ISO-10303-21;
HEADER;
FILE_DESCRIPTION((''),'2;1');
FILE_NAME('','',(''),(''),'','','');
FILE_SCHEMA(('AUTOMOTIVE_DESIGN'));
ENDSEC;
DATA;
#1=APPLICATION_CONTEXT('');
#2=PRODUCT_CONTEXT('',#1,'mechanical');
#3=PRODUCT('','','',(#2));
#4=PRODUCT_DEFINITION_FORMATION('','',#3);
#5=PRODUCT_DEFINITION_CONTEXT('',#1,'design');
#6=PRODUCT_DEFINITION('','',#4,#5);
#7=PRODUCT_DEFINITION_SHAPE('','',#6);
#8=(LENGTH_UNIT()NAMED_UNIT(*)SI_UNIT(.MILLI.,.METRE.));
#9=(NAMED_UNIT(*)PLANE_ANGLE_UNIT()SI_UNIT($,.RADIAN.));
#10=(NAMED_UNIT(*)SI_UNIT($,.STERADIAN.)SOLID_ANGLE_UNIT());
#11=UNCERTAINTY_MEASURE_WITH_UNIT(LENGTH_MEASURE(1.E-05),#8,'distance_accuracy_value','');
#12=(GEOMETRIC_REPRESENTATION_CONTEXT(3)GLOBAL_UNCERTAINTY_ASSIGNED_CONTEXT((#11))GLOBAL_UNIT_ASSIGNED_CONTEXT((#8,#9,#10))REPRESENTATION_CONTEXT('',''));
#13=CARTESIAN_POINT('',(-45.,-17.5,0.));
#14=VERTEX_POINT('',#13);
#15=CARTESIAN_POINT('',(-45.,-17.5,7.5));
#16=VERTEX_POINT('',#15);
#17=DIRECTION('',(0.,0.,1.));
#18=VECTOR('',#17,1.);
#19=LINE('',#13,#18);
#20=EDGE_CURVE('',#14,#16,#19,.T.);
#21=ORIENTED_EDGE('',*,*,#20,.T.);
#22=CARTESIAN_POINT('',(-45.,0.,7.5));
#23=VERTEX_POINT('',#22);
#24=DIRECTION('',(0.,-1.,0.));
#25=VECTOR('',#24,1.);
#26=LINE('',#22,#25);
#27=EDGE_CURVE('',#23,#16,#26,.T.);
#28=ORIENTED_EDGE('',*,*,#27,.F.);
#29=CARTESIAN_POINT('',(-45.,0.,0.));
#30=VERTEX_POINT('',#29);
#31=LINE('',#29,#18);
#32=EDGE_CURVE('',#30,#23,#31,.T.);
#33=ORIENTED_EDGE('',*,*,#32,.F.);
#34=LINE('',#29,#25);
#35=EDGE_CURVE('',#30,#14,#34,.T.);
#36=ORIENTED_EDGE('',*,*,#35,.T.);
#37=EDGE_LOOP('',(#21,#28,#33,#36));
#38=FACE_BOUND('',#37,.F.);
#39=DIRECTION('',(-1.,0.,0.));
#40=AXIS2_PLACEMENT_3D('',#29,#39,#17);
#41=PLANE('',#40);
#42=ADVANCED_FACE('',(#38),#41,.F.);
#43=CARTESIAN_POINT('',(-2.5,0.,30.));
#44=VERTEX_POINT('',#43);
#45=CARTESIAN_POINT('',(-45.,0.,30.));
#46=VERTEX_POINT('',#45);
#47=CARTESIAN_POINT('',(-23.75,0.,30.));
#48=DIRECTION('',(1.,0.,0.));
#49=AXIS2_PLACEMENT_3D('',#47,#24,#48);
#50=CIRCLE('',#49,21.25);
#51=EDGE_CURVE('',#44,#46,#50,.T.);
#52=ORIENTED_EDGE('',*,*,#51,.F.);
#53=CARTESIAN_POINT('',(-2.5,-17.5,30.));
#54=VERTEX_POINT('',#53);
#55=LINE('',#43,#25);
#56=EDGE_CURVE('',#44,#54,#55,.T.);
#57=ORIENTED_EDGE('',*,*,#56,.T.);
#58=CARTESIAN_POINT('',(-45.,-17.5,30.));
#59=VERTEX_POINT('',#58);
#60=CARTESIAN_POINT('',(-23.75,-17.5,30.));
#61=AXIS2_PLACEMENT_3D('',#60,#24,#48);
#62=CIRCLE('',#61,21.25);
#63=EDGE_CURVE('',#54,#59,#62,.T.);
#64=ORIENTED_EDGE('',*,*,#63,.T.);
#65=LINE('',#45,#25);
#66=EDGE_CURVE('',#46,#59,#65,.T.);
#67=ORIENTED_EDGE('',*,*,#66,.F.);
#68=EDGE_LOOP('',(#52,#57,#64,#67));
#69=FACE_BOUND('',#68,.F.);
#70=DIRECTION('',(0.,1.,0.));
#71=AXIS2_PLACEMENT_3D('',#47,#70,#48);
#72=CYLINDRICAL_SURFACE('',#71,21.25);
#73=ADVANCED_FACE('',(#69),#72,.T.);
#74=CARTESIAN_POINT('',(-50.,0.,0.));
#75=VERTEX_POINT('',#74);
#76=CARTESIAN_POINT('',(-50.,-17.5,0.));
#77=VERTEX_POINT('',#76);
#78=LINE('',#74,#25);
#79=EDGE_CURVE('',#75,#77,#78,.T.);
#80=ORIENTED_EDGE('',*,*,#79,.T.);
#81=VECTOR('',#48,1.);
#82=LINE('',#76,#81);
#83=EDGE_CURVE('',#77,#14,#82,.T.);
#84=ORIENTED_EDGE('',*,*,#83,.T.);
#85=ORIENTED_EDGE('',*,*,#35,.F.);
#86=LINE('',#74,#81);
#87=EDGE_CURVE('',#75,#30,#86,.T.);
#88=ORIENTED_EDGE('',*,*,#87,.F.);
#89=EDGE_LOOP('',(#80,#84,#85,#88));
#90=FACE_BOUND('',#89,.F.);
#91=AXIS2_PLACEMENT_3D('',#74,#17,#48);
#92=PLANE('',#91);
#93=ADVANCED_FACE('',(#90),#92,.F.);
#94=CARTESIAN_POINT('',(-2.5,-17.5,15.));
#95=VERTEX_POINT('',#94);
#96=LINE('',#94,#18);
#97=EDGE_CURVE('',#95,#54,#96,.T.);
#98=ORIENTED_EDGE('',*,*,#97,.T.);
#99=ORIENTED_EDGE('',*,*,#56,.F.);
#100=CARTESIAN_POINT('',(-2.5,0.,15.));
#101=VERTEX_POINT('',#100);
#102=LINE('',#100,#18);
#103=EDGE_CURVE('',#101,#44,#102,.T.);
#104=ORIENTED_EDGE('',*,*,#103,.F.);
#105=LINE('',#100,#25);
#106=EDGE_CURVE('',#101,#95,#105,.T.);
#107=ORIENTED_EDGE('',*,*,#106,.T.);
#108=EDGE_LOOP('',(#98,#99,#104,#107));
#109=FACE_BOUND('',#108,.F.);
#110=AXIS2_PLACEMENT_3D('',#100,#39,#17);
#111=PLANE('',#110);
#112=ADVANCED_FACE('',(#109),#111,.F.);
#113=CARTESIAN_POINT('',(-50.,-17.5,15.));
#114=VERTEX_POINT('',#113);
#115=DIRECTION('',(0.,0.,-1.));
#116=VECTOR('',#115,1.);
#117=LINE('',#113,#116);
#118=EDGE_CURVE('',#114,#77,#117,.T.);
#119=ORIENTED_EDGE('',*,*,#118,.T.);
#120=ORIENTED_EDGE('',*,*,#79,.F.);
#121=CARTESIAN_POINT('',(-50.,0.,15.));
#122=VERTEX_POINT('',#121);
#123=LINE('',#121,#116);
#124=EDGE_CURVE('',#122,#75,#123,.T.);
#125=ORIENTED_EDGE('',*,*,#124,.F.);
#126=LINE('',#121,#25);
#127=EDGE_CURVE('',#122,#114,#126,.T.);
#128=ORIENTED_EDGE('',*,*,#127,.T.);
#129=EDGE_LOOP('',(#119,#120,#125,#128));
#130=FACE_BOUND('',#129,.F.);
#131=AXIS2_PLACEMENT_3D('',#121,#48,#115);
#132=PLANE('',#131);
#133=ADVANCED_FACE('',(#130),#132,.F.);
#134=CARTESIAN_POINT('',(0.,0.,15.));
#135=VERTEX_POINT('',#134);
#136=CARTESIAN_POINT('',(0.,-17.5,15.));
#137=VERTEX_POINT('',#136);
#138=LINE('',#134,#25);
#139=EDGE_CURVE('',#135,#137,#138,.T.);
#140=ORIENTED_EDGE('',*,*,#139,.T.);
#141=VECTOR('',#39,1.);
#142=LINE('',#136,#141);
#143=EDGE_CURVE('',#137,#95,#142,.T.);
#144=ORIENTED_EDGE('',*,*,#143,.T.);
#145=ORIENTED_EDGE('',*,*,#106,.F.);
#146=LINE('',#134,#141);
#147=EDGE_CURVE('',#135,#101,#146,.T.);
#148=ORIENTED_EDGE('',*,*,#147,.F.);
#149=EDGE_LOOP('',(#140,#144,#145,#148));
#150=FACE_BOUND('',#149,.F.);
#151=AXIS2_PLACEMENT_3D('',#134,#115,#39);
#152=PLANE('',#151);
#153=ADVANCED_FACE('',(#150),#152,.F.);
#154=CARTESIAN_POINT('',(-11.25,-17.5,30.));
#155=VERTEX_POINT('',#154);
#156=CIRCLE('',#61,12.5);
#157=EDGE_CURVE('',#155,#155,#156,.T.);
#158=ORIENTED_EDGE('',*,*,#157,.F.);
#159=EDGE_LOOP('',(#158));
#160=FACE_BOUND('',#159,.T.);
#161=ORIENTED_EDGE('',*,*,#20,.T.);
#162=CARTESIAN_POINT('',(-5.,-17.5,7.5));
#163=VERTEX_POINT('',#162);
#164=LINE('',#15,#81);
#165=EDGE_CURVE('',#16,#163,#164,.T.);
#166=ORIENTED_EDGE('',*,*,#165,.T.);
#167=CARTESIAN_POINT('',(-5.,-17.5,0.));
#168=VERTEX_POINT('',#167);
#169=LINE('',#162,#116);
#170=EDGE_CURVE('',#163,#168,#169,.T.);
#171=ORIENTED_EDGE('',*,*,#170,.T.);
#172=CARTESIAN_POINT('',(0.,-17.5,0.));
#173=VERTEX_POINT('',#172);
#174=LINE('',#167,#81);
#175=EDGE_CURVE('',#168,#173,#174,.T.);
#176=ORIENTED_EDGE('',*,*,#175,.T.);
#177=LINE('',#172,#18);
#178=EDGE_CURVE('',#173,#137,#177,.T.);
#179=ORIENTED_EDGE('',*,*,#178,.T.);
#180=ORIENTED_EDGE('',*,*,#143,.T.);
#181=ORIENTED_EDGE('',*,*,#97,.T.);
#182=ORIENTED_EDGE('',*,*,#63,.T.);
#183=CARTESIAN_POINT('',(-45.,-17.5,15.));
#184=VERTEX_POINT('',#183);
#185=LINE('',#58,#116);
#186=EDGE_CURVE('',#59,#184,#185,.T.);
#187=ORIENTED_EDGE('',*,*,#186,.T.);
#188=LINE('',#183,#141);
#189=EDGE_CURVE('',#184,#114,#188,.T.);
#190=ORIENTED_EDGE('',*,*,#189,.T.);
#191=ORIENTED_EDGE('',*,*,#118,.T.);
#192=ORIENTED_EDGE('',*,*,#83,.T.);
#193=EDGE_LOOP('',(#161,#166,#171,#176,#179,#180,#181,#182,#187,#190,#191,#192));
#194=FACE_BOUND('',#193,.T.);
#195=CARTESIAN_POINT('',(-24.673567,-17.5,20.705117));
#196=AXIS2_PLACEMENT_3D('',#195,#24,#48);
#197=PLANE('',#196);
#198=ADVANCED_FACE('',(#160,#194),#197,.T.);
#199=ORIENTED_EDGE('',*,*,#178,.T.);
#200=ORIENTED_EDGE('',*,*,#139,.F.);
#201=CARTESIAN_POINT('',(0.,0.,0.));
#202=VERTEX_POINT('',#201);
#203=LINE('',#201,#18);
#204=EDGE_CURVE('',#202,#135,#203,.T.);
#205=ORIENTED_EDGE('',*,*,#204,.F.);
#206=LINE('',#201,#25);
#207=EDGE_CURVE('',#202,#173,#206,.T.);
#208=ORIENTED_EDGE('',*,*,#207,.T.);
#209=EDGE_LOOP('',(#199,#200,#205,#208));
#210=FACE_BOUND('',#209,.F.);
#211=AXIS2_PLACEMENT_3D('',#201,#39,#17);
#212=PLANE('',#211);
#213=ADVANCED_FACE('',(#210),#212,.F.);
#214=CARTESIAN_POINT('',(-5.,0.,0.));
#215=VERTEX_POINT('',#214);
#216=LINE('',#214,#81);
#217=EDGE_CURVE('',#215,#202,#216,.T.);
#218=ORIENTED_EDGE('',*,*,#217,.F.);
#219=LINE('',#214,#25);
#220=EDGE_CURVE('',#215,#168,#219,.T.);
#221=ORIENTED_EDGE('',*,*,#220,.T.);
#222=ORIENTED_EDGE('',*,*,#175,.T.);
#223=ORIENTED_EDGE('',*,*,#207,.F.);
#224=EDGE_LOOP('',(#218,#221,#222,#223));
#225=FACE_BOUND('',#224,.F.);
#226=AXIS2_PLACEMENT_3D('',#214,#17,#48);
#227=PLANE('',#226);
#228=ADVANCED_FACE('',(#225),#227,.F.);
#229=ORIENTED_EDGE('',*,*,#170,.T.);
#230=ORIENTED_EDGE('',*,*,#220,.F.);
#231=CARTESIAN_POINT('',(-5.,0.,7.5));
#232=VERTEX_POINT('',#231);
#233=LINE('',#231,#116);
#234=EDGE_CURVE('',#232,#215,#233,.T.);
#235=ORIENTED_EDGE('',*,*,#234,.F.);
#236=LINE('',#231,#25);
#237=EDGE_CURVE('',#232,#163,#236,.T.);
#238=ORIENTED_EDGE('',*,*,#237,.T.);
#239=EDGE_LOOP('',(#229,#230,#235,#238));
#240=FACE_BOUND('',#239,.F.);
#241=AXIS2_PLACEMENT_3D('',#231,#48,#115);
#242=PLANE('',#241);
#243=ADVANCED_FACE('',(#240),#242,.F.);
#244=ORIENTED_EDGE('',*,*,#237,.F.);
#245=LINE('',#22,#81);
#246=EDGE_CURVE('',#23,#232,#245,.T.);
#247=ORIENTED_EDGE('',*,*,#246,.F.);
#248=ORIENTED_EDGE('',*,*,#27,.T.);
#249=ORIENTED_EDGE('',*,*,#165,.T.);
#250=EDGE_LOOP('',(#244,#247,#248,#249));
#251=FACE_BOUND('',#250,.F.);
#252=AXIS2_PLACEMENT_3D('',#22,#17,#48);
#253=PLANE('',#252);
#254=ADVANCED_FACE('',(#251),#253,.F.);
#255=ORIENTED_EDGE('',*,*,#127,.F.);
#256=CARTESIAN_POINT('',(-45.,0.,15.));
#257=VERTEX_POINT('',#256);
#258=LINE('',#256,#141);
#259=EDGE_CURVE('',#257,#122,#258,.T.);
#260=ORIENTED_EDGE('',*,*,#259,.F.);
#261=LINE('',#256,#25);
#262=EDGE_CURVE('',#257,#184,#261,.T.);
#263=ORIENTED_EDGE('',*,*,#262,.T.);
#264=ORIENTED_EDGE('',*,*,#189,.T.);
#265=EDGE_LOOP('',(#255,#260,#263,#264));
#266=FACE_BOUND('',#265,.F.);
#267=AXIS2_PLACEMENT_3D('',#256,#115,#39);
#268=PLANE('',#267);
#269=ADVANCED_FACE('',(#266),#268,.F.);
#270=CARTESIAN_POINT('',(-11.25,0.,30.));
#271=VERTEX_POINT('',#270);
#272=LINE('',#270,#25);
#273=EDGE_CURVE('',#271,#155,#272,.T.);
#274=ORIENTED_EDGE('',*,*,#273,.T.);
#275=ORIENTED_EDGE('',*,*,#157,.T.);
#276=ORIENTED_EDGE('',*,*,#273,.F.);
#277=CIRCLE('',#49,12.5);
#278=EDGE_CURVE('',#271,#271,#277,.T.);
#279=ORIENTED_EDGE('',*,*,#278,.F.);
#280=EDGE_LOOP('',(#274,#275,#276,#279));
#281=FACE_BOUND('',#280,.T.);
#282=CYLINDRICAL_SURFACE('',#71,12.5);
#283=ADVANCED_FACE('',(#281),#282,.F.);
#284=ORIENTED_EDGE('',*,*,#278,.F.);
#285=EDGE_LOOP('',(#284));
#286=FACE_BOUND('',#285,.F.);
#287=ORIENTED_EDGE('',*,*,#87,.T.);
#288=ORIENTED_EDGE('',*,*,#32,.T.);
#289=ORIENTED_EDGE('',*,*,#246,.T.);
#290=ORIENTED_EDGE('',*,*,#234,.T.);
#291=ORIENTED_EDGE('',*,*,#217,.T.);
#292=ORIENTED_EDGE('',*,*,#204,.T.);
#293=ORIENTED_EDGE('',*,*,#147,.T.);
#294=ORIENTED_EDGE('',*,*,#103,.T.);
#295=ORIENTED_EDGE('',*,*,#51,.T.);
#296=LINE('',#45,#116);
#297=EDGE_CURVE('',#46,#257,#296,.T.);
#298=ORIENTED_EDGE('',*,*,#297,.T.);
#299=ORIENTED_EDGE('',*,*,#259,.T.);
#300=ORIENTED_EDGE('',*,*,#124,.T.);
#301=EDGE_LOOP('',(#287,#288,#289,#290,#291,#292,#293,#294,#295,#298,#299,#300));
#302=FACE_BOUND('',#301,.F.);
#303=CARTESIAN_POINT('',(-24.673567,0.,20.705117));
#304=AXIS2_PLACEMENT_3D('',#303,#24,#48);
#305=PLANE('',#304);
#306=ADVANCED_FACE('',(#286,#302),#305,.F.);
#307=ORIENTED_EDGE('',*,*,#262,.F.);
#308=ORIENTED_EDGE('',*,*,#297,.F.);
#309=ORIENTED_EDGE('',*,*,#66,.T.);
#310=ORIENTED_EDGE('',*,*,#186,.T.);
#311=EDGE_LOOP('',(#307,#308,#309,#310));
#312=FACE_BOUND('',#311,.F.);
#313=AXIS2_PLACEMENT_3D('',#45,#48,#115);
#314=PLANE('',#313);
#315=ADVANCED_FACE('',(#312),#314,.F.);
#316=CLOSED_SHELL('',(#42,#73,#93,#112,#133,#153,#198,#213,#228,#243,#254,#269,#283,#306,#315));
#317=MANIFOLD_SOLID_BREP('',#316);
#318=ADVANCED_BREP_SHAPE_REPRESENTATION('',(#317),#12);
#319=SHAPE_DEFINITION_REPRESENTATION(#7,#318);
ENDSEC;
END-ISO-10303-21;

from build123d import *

# Parameters (mm, degrees)
F0_R     = 12.5
F1_DEPTH = 17.5


with BuildPart() as f1:
    # F0 (on Front) → F1 (new body)
    with BuildSketch(Plane.XZ):
        with BuildLine():
            Line((-5, 0), (0, 0))
            Line((0, 0), (0, 15))
            Line((0, 15), (-2.5, 15))
            Line((-2.5, 15), (-2.5, 30))
            ThreePointArc((-2.5, 30), (-23.75, 51.25), (-45, 30))
            Line((-45, 30), (-45, 15))
            Line((-45, 15), (-50, 15))
            Line((-50, 15), (-50, 0))
            Line((-50, 0), (-45, 0))
            Line((-45, 0), (-45, 7.5))
            Line((-45, 7.5), (-5, 7.5))
            Line((-5, 7.5), (-5, 0))
        make_face()
        with Locations((-23.75, 30)):
            Circle(F0_R, mode=Mode.SUBTRACT)
    extrude(amount=F1_DEPTH)


solid = f1.part
